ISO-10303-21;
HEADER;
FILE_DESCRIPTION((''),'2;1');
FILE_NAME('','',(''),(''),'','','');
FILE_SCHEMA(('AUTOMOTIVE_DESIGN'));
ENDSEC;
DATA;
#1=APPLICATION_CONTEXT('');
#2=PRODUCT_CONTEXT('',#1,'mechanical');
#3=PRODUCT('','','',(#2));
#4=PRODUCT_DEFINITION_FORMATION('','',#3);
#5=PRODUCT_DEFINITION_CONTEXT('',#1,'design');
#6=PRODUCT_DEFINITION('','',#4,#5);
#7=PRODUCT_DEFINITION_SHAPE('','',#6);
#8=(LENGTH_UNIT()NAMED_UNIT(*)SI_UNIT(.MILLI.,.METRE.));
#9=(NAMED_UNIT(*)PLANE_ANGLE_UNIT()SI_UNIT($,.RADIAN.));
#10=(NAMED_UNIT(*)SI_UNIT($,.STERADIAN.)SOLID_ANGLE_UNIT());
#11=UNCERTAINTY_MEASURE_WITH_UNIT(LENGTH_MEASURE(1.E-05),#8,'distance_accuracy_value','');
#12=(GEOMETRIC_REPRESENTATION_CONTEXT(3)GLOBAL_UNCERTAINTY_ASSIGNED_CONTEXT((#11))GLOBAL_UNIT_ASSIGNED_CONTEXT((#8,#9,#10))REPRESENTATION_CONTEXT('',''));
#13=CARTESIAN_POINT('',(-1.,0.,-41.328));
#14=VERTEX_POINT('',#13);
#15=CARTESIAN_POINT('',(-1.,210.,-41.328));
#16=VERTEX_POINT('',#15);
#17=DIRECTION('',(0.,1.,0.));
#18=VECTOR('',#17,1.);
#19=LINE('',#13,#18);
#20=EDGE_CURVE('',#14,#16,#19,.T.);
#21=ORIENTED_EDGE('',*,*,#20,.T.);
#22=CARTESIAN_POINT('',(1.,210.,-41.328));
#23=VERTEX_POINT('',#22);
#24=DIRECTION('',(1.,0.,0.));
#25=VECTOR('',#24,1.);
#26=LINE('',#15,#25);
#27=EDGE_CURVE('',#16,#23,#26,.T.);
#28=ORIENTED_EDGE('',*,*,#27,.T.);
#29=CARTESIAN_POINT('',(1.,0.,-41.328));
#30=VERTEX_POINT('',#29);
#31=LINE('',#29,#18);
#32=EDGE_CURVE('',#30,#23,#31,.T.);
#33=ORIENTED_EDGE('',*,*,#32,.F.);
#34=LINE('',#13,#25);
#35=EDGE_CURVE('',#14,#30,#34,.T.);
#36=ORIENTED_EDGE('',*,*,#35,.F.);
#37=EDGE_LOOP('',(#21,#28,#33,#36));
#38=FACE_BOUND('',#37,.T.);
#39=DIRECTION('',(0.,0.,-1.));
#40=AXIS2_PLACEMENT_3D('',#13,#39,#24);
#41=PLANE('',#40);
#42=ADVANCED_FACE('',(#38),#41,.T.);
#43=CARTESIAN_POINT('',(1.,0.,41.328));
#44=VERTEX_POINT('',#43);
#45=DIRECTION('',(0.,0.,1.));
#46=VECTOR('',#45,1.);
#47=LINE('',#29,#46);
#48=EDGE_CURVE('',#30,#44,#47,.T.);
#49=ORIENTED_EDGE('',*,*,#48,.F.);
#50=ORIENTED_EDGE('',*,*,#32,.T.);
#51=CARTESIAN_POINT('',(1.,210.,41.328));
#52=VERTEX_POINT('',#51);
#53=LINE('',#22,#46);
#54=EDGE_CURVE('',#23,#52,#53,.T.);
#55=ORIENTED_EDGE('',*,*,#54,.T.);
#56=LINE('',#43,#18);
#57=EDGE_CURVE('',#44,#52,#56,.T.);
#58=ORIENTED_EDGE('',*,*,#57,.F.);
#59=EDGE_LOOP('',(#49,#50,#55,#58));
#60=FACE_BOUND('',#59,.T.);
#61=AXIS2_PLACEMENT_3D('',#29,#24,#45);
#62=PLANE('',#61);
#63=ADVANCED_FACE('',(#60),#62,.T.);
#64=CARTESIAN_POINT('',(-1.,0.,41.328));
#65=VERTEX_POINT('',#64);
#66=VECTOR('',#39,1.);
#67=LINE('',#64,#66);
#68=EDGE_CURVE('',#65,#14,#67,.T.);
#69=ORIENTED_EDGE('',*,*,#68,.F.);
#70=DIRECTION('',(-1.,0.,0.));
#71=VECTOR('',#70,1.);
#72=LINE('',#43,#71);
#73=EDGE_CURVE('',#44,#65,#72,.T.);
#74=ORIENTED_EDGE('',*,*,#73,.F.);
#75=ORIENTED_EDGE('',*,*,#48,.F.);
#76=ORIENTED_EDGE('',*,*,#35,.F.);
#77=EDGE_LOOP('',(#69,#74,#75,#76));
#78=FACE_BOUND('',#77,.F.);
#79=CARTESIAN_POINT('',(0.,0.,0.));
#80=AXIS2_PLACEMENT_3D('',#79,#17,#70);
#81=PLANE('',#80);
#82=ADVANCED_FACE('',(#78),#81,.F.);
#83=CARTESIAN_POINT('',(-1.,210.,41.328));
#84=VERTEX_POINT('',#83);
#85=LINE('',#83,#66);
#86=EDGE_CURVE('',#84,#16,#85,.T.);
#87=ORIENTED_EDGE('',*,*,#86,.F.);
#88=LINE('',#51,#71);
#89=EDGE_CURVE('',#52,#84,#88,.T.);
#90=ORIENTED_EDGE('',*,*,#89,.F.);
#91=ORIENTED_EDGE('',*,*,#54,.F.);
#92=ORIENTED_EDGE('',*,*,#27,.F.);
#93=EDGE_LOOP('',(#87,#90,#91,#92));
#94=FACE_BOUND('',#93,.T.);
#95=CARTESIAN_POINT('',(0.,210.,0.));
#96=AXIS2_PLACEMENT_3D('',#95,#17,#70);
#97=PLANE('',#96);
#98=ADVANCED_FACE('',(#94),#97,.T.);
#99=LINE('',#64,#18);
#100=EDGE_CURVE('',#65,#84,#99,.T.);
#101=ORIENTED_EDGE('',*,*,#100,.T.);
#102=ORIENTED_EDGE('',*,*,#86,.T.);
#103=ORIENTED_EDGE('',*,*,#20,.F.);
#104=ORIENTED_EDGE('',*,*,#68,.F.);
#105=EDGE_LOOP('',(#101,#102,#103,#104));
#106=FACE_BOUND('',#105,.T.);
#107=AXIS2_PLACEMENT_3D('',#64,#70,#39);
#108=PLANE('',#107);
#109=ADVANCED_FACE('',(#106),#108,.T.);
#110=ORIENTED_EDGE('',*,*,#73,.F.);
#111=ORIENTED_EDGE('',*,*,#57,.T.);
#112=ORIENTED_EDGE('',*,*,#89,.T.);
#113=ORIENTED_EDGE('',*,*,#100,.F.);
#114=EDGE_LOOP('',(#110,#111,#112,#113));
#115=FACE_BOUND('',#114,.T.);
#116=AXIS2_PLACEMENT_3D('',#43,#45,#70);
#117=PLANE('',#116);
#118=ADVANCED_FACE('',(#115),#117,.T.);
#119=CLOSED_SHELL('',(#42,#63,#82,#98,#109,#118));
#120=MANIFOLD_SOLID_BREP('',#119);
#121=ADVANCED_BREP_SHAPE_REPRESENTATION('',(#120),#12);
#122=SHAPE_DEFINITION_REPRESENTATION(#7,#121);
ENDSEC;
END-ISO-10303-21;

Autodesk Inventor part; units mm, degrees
ref_plane "YZ Plane" through (0, 0, 0) normal (1, 0, 0) x (0, 1, 0)
ref_plane "XZ Plane" through (0, 0, 0) normal (0, 1, 0) x (-1, 0, 0)
ref_plane "XY Plane" through (0, 0, 0) normal (0, 0, 1) x (1, 0, 0)
sketch "Sketch1" plane through (0, 0, 0) normal (0, 1, 0) x (-1, 0, 0)
  line L0 (-1, 41.328) -> (1, 41.328)
  line L1 (1, 41.328) -> (1, -41.328)
  line L2 (1, -41.328) -> (-1, -41.328)
  line L3 (-1, -41.328) -> (-1, 41.328)
  line L4 (-1, 41.328) -> (1, -41.328) construction
  line L5 (1, 41.328) -> (-1, -41.328) construction
  point P0 (0, 0)
  dimension "d0" = 2
  dimension "d1" = 82.656
extrude "Extrusion1" add sketch "Sketch1" along normal blind 210
properties part number "alas_komponen"
